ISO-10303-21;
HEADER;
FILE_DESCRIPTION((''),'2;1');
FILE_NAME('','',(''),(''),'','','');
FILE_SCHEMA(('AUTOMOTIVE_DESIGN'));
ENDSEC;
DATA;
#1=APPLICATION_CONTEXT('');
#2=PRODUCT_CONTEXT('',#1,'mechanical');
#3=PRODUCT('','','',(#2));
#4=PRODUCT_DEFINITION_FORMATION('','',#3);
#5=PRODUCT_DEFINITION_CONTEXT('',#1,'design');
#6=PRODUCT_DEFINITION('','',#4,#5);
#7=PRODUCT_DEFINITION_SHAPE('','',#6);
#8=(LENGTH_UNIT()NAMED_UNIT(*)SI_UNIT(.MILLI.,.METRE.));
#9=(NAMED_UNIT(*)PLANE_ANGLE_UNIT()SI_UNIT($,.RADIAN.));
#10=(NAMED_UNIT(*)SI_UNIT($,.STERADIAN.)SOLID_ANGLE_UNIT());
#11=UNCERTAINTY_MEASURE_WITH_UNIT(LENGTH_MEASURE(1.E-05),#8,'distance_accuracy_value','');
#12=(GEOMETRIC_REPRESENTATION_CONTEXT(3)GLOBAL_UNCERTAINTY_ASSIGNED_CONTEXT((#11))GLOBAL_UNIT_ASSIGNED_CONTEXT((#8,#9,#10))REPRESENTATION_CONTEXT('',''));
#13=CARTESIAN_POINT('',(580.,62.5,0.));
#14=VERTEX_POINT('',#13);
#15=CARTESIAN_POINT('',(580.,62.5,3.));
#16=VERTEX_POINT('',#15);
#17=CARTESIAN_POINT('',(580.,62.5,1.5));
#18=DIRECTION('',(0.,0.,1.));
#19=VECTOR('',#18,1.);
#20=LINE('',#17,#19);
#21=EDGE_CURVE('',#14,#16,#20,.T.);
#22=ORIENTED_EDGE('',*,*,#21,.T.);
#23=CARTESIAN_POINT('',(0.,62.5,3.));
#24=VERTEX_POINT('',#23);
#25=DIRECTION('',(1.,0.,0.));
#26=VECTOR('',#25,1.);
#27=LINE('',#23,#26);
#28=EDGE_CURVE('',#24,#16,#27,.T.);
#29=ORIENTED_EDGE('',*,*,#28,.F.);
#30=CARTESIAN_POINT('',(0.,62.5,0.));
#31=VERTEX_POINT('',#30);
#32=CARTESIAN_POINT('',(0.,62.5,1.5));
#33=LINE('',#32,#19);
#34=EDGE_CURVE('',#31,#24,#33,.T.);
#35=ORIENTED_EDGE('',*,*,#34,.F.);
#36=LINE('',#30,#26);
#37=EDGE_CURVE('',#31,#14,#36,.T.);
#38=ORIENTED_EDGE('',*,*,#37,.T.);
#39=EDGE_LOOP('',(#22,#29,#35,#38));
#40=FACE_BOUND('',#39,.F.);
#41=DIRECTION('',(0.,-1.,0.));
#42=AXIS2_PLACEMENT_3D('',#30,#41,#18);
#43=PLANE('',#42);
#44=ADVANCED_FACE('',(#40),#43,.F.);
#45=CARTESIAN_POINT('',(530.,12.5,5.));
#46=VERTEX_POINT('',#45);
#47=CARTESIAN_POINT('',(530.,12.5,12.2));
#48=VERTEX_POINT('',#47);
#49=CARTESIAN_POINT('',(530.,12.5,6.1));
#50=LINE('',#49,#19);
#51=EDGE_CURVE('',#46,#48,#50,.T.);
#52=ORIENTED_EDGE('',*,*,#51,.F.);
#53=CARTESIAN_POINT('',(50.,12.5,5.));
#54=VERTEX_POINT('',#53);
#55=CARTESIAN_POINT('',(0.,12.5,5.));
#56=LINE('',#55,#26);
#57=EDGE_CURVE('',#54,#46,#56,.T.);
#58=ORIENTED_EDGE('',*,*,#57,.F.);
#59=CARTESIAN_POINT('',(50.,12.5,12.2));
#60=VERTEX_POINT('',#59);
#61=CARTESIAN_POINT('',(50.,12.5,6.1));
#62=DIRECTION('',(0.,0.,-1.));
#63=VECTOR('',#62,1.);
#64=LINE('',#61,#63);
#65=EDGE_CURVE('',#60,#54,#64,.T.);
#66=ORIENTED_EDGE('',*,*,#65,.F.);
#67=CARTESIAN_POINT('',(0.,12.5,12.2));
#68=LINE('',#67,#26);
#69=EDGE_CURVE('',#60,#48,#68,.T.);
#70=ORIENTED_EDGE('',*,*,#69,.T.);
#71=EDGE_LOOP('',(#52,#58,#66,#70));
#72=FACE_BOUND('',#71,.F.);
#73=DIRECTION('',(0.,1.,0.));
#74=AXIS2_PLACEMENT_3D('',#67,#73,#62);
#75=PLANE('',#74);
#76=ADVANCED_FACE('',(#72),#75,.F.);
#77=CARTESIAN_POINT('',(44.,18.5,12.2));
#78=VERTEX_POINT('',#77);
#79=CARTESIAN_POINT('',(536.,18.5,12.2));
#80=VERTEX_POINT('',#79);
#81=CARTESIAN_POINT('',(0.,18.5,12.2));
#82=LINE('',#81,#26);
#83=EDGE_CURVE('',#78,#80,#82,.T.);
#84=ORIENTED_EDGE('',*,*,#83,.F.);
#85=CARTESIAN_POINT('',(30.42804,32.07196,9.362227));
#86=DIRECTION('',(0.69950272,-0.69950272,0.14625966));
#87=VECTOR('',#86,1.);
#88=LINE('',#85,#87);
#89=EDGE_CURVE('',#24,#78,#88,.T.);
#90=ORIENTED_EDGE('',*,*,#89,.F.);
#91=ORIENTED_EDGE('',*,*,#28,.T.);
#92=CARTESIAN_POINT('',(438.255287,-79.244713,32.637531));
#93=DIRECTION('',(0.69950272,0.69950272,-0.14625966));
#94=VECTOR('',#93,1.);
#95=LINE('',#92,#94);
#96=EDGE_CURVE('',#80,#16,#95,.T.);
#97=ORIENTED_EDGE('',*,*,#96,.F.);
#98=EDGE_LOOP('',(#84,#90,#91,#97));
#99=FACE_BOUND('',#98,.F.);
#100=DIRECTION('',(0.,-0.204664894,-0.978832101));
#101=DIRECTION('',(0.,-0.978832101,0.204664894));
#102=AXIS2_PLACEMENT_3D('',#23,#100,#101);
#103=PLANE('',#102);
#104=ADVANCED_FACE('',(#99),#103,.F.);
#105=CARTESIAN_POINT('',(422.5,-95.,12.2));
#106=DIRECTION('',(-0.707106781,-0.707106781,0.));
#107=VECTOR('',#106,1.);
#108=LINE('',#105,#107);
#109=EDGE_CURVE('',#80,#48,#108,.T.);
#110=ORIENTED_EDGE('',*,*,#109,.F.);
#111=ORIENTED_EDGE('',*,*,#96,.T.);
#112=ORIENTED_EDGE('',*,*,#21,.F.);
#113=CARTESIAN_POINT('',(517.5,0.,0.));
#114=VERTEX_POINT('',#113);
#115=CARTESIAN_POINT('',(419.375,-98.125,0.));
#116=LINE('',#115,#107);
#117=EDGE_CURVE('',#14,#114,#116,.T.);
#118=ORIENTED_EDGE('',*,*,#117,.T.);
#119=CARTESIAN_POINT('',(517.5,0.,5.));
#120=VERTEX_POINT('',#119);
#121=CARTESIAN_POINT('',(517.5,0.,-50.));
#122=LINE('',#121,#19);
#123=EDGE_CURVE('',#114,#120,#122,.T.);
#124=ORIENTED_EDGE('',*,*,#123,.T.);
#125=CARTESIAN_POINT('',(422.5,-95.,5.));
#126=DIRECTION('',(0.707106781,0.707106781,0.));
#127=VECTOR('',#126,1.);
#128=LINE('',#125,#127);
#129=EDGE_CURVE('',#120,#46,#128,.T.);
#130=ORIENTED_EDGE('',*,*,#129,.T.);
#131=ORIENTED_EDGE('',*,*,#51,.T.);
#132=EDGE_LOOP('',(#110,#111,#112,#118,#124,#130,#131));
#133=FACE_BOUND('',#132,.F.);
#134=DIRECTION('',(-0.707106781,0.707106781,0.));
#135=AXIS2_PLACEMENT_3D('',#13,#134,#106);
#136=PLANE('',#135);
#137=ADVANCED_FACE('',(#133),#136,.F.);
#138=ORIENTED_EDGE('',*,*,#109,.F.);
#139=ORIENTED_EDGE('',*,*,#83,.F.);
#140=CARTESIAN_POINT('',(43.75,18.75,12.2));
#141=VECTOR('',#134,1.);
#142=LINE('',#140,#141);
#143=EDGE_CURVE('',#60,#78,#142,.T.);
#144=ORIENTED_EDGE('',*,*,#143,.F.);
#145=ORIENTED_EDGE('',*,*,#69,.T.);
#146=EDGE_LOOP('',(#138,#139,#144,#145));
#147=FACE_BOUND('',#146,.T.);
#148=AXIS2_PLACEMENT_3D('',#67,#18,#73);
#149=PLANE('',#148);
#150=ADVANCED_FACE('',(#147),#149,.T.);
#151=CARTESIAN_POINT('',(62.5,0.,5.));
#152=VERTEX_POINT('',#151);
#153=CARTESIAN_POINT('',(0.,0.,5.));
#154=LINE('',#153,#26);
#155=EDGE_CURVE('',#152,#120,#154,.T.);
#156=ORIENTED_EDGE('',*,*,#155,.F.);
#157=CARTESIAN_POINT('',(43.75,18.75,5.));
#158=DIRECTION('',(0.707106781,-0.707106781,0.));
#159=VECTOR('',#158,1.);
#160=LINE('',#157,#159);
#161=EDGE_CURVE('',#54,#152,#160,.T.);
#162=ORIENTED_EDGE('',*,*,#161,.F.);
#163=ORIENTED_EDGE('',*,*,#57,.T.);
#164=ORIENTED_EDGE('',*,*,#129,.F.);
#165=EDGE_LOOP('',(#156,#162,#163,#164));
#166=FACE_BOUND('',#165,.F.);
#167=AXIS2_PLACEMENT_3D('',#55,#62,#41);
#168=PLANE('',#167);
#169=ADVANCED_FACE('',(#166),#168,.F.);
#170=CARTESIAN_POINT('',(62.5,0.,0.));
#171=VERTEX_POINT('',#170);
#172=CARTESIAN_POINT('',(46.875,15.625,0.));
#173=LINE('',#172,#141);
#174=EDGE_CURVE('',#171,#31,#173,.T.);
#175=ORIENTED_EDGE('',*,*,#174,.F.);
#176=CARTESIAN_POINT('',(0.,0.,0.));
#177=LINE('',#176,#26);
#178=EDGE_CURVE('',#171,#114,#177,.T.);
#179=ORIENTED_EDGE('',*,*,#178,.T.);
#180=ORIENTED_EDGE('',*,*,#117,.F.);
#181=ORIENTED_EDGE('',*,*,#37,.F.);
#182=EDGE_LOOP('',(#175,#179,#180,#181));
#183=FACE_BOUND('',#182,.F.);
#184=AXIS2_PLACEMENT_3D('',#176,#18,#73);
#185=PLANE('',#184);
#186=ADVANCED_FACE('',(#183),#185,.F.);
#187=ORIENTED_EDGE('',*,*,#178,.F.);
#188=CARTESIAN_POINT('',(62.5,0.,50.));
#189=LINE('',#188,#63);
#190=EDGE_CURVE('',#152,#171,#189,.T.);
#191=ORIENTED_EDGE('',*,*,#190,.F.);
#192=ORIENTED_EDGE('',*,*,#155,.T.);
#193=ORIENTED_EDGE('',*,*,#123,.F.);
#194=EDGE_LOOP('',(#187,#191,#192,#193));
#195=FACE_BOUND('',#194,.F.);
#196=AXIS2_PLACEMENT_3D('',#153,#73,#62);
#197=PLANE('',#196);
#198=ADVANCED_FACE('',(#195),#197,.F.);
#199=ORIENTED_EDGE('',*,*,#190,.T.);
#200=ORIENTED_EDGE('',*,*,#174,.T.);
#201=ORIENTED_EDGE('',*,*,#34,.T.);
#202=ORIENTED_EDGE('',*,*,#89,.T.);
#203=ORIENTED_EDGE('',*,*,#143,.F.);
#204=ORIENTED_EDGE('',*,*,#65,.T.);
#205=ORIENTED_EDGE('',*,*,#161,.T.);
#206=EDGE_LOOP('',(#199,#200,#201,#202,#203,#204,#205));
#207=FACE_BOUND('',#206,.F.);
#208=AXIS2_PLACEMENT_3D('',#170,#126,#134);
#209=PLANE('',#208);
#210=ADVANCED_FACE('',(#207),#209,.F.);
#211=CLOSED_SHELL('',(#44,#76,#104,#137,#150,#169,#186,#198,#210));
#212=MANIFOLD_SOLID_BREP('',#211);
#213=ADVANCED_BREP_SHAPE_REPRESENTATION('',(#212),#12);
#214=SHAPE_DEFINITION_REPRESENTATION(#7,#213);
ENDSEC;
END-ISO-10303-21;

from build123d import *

# Parameters (mm, degrees)
F0_W     = 12.5
F0_H     = 3
F0_W_2   = 6
F0_H_2   = 2
F0_W_3   = 44
F0_H_3   = 6
F0_H_4   = 1.2
F1_DEPTH = 580
F3_DEPTH = 50
F5_DEPTH = 50


with BuildPart() as f1:
    # F0 (on Right) → F1 (new body)
    with BuildSketch(Plane.YZ):
        with Locations((6.25, 1.5)):
            Rectangle(F0_W, F0_H)
        with Locations((15.5, 1.5)):
            Rectangle(F0_W_2, F0_H)
        with Locations((6.25, 4)):
            Rectangle(F0_W, F0_H_2)
        with Locations((40.5, 1.5)):
            Rectangle(F0_W_3, F0_H)
        with Locations((15.5, 4)):
            Rectangle(F0_W_2, F0_H_2)
        Polygon((18.5, 5), (18.5, 3), (62.5, 3), (52.9347826087, 5), align=None)
        with Locations((15.5, 8)):
            Rectangle(F0_W_2, F0_H_3)
        Polygon((18.5, 11), (18.5, 5), (52.9347826087, 5), (24.2391304348, 11), align=None)
        with Locations((15.5, 11.6)):
            Rectangle(F0_W_2, F0_H_4)
        Polygon((18.5, 12.2), (18.5, 11), (24.2391304348, 11), align=None)
    extrude(amount=F1_DEPTH)

    # F2 (on Top) → F3 (cut, symmetric)
    with BuildSketch(Plane.XY):
        Polygon((0, 62.5), (0, 0), (62.5, 0), align=None)
    extrude(amount=F3_DEPTH, both=True, mode=Mode.SUBTRACT)

    # F4 (on Top) → F5 (cut, symmetric)
    with BuildSketch(Plane.XY):
        Polygon((580, 62.5), (517.5, 0), (580, 0), align=None)
    extrude(amount=F5_DEPTH, both=True, mode=Mode.SUBTRACT)


solid = f1.part
